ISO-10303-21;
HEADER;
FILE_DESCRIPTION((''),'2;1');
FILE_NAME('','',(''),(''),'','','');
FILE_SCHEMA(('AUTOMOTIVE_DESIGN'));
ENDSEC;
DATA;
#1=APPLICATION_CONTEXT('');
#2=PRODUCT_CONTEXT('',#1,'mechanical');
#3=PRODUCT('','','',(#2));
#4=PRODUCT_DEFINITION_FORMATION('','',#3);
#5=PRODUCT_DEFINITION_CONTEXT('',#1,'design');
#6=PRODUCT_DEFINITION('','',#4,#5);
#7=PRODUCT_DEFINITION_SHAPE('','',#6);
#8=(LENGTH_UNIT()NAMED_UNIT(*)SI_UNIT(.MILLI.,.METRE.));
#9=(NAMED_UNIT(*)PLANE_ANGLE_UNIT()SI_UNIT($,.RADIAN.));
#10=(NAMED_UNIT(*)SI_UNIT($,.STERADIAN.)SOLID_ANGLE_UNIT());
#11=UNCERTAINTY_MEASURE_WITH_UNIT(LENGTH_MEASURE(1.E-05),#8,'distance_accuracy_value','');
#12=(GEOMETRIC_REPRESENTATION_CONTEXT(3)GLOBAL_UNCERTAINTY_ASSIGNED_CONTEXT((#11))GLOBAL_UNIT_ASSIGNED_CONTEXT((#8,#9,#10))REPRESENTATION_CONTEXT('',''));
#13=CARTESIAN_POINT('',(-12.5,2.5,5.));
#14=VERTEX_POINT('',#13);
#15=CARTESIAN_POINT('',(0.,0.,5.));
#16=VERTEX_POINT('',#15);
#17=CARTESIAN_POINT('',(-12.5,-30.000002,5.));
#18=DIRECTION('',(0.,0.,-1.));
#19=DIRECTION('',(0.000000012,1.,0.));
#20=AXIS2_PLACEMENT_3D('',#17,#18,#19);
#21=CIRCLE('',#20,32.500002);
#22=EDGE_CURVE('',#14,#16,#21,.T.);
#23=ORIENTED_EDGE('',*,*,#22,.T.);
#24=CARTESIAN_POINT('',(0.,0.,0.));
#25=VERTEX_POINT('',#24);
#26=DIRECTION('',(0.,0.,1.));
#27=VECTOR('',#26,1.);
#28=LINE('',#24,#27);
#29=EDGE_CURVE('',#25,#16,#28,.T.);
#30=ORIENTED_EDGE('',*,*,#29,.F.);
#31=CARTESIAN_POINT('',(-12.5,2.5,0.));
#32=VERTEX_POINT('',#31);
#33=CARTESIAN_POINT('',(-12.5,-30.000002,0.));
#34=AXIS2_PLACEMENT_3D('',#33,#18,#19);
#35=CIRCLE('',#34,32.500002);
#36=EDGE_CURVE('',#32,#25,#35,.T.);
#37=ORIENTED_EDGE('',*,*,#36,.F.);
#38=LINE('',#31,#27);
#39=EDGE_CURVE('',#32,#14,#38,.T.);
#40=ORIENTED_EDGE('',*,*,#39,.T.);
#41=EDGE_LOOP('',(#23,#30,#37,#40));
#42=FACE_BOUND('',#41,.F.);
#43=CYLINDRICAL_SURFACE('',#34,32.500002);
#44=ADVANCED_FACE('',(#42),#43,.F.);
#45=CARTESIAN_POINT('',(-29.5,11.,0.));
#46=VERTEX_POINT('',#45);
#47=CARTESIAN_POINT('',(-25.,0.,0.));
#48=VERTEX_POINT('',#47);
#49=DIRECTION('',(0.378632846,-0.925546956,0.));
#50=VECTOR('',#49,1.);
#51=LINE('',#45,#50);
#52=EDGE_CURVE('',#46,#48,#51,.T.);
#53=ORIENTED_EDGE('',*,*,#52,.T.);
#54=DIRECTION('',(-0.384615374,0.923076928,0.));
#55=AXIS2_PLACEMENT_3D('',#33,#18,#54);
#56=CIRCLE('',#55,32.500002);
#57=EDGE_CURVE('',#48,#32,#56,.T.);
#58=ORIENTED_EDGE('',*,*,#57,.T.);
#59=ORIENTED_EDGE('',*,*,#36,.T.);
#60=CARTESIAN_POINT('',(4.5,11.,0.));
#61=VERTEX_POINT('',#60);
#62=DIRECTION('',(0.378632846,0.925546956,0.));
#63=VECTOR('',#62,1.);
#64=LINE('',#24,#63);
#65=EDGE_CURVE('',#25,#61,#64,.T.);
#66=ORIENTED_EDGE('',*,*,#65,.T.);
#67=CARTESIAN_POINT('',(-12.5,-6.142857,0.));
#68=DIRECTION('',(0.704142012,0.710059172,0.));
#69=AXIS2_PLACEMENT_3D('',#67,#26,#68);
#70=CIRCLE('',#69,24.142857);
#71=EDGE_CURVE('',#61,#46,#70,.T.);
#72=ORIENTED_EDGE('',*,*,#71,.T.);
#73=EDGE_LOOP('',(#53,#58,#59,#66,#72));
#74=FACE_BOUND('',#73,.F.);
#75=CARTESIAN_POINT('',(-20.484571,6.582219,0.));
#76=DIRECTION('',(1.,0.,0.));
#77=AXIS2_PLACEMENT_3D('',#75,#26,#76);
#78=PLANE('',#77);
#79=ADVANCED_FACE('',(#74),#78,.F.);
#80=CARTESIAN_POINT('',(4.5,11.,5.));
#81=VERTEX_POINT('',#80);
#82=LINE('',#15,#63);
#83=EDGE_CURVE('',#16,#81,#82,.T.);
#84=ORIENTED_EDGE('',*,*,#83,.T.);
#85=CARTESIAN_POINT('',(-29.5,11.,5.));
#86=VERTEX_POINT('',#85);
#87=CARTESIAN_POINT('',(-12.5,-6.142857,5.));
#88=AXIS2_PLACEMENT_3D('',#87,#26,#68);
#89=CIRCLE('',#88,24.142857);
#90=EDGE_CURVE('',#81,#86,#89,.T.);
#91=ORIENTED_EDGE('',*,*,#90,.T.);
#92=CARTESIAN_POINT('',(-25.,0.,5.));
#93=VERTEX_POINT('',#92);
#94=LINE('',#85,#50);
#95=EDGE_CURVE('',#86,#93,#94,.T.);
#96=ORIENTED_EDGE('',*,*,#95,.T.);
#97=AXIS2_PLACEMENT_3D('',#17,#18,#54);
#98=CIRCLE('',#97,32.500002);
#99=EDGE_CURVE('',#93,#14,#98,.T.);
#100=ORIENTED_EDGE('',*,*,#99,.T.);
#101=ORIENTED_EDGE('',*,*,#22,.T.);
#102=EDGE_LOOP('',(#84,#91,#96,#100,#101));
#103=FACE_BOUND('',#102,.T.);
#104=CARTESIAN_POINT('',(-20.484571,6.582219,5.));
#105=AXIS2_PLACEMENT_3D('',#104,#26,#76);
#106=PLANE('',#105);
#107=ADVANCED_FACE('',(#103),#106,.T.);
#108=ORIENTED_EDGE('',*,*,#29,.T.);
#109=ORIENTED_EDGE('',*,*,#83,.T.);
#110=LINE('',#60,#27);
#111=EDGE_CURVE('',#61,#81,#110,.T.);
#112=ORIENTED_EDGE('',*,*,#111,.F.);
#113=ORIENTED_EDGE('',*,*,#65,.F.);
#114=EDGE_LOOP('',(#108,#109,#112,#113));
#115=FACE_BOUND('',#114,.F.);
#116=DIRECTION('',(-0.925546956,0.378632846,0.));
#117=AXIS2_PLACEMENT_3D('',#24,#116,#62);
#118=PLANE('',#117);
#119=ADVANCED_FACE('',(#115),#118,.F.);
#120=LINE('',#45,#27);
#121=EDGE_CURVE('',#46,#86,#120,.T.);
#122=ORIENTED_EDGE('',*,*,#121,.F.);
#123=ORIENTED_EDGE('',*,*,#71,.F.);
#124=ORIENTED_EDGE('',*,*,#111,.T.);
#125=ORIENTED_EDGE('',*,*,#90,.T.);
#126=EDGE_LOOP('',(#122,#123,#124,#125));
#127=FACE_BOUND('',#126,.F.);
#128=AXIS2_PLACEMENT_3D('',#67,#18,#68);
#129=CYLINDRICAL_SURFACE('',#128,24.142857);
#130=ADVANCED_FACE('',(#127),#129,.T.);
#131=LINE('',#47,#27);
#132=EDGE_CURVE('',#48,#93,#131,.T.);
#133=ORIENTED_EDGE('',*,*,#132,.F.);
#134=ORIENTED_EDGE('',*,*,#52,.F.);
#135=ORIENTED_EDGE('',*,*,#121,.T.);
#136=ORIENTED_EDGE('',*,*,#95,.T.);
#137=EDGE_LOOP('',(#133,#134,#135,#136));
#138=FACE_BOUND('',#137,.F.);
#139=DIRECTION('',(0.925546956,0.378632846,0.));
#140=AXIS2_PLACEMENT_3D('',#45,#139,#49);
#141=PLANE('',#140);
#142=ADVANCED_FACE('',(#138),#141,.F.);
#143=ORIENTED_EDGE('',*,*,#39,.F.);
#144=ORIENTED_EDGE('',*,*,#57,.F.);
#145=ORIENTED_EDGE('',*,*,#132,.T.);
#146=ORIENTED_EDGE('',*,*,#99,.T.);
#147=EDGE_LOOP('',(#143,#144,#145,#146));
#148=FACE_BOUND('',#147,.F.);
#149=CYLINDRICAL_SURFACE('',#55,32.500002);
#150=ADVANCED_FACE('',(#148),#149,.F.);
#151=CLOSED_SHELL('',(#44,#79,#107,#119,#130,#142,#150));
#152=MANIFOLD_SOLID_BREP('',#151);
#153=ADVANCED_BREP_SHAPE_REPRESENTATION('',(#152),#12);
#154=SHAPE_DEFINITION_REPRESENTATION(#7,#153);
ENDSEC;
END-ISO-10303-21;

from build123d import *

# Parameters (mm, degrees)
F1_DEPTH = 5


with BuildPart() as f1:
    # F0 (on Top) → F1 (new body)
    with BuildSketch(Plane.XY):
        with BuildLine():
            ThreePointArc((-25, 0), (-18.873774, 1.868872), (-12.5, 2.5))
            Line((-12.5, 2.5), (-12.5, 11))
            Line((-12.5, 11), (-29.5, 11))
            Line((-29.5, 11), (-25, 0))
        make_face()
        with BuildLine():
            ThreePointArc((-12.5, 2.5), (-6.126226, 1.868872), (0, 0))
            Line((0, 0), (4.5, 11))
            ThreePointArc((4.5, 11), (-12.5, 18), (-29.5, 11))
            Line((-29.5, 11), (-12.5, 11))
            Line((-12.5, 11), (-12.5, 2.5))
        make_face()
    extrude(amount=F1_DEPTH)


solid = f1.part
